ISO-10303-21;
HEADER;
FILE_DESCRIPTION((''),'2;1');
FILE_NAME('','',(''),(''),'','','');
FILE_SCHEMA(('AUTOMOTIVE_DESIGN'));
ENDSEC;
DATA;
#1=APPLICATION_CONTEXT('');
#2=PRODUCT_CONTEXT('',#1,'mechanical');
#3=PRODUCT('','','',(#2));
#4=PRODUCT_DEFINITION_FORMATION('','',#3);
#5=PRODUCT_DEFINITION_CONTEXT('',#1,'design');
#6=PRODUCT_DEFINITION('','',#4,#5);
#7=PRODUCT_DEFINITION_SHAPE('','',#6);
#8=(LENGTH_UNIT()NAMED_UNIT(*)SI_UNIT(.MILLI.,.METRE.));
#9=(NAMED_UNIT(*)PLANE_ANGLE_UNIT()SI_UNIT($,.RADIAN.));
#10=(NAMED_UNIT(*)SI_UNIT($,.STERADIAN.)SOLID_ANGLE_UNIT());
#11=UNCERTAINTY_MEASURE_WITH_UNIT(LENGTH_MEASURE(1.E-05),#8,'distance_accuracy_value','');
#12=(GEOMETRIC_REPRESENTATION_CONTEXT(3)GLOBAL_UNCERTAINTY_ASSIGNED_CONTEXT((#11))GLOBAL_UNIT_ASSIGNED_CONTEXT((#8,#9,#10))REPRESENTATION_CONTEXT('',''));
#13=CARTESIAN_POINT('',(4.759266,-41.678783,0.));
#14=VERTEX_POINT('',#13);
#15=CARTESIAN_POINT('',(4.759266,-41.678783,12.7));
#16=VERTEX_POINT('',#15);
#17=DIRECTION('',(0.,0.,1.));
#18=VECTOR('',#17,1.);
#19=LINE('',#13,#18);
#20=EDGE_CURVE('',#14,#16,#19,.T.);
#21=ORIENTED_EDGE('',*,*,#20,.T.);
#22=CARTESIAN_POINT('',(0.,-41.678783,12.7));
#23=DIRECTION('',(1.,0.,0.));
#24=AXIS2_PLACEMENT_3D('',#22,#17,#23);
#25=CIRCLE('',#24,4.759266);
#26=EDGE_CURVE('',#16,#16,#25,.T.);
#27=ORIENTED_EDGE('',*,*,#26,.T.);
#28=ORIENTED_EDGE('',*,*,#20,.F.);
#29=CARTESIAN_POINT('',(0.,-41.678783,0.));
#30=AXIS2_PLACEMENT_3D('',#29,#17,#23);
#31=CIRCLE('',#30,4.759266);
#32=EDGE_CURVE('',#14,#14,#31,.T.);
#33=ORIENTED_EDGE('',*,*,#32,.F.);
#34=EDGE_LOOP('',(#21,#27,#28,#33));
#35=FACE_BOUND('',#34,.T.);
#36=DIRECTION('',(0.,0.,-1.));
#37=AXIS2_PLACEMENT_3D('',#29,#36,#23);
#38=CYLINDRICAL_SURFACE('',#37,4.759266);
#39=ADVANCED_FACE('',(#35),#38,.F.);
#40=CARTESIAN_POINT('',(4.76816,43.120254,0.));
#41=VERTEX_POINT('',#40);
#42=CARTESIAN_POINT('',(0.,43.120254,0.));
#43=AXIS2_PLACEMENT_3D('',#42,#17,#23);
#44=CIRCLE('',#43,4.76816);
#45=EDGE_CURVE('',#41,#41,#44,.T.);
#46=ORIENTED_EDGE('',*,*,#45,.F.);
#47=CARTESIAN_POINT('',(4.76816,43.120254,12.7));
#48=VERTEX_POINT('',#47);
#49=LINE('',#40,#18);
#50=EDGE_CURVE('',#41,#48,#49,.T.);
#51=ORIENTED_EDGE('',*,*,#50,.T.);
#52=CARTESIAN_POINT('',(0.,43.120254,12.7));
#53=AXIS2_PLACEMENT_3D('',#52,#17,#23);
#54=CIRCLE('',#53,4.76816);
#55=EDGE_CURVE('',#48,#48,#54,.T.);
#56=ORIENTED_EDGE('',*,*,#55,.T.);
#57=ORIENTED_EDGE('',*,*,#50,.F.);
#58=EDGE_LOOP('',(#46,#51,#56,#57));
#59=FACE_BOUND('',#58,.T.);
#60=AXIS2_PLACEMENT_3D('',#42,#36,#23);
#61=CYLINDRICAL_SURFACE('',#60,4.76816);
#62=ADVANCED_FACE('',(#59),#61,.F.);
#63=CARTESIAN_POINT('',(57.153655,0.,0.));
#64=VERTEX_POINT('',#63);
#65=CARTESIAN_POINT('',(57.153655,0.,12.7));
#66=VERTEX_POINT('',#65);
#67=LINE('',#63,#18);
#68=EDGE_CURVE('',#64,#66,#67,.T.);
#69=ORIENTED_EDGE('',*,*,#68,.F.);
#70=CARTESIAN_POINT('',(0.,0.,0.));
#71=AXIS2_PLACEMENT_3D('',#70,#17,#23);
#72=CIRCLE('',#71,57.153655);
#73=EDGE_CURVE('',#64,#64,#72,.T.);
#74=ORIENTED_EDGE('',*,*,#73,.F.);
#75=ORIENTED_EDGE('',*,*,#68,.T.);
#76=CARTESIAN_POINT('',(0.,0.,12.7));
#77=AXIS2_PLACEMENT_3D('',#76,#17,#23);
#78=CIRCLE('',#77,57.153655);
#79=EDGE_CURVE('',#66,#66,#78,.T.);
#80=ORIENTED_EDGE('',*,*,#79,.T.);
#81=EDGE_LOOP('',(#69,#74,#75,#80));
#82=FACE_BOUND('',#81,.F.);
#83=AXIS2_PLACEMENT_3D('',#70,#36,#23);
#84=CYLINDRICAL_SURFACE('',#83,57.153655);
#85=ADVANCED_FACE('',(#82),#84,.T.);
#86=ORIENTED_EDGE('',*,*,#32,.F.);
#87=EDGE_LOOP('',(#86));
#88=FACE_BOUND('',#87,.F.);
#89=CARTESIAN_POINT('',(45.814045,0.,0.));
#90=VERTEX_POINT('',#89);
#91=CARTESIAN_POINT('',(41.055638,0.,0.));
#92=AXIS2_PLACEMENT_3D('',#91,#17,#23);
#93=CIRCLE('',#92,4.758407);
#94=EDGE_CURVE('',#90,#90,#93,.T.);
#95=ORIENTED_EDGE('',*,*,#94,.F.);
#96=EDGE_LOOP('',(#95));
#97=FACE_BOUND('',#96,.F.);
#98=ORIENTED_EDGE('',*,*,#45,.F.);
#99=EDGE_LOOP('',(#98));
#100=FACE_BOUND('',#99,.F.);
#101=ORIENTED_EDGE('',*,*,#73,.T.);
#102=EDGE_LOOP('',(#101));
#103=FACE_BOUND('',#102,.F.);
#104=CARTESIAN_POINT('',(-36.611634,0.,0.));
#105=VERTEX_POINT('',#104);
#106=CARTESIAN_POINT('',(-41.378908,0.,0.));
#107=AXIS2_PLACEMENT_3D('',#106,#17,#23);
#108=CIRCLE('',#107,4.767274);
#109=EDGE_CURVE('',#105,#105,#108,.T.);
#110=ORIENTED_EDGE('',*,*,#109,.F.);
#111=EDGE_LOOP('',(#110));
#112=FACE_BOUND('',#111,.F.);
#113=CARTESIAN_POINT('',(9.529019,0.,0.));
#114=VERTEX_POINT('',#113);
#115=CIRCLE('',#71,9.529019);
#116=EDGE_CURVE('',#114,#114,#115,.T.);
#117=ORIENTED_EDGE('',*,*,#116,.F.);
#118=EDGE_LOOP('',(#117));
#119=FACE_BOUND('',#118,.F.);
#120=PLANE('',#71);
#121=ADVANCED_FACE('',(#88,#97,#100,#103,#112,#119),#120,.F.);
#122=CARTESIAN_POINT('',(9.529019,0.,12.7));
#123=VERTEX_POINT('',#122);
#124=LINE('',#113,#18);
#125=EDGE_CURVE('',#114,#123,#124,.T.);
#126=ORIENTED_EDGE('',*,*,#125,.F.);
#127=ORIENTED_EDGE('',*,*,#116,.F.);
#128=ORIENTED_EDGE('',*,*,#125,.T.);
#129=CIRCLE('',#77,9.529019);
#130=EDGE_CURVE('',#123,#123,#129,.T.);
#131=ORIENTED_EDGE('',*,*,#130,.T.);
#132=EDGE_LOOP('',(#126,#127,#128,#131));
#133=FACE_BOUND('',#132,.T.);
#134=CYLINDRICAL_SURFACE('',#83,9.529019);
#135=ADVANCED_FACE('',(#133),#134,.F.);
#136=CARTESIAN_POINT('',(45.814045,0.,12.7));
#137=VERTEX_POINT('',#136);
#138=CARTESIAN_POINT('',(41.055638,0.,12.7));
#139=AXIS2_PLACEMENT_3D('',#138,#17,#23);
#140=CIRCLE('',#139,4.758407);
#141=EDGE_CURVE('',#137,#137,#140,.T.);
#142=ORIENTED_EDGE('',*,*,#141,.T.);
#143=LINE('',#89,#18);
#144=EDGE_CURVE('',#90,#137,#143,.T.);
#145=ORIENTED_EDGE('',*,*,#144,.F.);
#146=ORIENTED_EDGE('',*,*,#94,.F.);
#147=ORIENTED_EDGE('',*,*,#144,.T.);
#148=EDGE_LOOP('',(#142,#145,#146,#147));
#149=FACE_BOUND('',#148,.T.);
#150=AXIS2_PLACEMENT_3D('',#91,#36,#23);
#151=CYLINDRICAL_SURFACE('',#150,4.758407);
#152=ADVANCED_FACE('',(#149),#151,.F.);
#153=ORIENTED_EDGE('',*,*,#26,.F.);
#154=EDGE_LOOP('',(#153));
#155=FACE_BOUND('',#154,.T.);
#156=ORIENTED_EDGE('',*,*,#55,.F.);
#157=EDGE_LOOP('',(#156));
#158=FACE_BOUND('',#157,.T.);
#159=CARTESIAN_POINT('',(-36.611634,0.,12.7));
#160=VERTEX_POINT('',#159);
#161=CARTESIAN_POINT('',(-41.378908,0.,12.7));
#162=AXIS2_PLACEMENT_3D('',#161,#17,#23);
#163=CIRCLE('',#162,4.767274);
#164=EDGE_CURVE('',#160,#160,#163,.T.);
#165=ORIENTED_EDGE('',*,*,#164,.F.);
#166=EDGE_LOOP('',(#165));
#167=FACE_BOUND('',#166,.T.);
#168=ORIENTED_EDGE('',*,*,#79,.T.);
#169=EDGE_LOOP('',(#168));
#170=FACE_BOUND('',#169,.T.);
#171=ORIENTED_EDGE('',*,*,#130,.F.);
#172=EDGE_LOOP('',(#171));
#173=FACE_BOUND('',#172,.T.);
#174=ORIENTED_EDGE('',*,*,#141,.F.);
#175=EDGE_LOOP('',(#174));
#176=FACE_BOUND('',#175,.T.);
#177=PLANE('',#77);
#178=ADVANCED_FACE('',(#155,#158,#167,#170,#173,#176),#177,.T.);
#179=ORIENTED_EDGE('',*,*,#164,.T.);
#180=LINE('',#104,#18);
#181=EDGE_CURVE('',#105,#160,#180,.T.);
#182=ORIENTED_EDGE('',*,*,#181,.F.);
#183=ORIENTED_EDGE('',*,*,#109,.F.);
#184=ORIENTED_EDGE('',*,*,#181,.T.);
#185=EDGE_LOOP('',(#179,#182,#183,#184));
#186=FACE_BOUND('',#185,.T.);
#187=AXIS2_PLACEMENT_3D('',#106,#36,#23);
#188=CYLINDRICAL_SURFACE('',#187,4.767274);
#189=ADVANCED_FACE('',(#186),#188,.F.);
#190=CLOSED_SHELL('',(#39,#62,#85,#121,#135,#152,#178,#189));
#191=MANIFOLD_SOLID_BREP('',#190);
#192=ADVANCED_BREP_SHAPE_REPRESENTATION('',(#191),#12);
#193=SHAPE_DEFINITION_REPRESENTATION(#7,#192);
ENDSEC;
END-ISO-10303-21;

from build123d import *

# Parameters (mm, degrees)
F0_R     = 57.153655
F0_R_2   = 4.759266
F0_R_3   = 4.767274
F0_R_4   = 9.529019
F0_R_5   = 4.758407
F0_R_6   = 4.76816
F1_DEPTH = 12.7


with BuildPart() as f1:
    # F0 (on Top) → F1 (new body)
    with BuildSketch(Plane.XY):
        Circle(F0_R)
        with Locations((0, -41.678783)):
            Circle(F0_R_2, mode=Mode.SUBTRACT)
        with Locations((-41.378908, 0)):
            Circle(F0_R_3, mode=Mode.SUBTRACT)
        Circle(F0_R_4, mode=Mode.SUBTRACT)
        with Locations((41.055638, 0)):
            Circle(F0_R_5, mode=Mode.SUBTRACT)
        with Locations((0, 43.120254)):
            Circle(F0_R_6, mode=Mode.SUBTRACT)
    extrude(amount=F1_DEPTH)


solid = f1.part
